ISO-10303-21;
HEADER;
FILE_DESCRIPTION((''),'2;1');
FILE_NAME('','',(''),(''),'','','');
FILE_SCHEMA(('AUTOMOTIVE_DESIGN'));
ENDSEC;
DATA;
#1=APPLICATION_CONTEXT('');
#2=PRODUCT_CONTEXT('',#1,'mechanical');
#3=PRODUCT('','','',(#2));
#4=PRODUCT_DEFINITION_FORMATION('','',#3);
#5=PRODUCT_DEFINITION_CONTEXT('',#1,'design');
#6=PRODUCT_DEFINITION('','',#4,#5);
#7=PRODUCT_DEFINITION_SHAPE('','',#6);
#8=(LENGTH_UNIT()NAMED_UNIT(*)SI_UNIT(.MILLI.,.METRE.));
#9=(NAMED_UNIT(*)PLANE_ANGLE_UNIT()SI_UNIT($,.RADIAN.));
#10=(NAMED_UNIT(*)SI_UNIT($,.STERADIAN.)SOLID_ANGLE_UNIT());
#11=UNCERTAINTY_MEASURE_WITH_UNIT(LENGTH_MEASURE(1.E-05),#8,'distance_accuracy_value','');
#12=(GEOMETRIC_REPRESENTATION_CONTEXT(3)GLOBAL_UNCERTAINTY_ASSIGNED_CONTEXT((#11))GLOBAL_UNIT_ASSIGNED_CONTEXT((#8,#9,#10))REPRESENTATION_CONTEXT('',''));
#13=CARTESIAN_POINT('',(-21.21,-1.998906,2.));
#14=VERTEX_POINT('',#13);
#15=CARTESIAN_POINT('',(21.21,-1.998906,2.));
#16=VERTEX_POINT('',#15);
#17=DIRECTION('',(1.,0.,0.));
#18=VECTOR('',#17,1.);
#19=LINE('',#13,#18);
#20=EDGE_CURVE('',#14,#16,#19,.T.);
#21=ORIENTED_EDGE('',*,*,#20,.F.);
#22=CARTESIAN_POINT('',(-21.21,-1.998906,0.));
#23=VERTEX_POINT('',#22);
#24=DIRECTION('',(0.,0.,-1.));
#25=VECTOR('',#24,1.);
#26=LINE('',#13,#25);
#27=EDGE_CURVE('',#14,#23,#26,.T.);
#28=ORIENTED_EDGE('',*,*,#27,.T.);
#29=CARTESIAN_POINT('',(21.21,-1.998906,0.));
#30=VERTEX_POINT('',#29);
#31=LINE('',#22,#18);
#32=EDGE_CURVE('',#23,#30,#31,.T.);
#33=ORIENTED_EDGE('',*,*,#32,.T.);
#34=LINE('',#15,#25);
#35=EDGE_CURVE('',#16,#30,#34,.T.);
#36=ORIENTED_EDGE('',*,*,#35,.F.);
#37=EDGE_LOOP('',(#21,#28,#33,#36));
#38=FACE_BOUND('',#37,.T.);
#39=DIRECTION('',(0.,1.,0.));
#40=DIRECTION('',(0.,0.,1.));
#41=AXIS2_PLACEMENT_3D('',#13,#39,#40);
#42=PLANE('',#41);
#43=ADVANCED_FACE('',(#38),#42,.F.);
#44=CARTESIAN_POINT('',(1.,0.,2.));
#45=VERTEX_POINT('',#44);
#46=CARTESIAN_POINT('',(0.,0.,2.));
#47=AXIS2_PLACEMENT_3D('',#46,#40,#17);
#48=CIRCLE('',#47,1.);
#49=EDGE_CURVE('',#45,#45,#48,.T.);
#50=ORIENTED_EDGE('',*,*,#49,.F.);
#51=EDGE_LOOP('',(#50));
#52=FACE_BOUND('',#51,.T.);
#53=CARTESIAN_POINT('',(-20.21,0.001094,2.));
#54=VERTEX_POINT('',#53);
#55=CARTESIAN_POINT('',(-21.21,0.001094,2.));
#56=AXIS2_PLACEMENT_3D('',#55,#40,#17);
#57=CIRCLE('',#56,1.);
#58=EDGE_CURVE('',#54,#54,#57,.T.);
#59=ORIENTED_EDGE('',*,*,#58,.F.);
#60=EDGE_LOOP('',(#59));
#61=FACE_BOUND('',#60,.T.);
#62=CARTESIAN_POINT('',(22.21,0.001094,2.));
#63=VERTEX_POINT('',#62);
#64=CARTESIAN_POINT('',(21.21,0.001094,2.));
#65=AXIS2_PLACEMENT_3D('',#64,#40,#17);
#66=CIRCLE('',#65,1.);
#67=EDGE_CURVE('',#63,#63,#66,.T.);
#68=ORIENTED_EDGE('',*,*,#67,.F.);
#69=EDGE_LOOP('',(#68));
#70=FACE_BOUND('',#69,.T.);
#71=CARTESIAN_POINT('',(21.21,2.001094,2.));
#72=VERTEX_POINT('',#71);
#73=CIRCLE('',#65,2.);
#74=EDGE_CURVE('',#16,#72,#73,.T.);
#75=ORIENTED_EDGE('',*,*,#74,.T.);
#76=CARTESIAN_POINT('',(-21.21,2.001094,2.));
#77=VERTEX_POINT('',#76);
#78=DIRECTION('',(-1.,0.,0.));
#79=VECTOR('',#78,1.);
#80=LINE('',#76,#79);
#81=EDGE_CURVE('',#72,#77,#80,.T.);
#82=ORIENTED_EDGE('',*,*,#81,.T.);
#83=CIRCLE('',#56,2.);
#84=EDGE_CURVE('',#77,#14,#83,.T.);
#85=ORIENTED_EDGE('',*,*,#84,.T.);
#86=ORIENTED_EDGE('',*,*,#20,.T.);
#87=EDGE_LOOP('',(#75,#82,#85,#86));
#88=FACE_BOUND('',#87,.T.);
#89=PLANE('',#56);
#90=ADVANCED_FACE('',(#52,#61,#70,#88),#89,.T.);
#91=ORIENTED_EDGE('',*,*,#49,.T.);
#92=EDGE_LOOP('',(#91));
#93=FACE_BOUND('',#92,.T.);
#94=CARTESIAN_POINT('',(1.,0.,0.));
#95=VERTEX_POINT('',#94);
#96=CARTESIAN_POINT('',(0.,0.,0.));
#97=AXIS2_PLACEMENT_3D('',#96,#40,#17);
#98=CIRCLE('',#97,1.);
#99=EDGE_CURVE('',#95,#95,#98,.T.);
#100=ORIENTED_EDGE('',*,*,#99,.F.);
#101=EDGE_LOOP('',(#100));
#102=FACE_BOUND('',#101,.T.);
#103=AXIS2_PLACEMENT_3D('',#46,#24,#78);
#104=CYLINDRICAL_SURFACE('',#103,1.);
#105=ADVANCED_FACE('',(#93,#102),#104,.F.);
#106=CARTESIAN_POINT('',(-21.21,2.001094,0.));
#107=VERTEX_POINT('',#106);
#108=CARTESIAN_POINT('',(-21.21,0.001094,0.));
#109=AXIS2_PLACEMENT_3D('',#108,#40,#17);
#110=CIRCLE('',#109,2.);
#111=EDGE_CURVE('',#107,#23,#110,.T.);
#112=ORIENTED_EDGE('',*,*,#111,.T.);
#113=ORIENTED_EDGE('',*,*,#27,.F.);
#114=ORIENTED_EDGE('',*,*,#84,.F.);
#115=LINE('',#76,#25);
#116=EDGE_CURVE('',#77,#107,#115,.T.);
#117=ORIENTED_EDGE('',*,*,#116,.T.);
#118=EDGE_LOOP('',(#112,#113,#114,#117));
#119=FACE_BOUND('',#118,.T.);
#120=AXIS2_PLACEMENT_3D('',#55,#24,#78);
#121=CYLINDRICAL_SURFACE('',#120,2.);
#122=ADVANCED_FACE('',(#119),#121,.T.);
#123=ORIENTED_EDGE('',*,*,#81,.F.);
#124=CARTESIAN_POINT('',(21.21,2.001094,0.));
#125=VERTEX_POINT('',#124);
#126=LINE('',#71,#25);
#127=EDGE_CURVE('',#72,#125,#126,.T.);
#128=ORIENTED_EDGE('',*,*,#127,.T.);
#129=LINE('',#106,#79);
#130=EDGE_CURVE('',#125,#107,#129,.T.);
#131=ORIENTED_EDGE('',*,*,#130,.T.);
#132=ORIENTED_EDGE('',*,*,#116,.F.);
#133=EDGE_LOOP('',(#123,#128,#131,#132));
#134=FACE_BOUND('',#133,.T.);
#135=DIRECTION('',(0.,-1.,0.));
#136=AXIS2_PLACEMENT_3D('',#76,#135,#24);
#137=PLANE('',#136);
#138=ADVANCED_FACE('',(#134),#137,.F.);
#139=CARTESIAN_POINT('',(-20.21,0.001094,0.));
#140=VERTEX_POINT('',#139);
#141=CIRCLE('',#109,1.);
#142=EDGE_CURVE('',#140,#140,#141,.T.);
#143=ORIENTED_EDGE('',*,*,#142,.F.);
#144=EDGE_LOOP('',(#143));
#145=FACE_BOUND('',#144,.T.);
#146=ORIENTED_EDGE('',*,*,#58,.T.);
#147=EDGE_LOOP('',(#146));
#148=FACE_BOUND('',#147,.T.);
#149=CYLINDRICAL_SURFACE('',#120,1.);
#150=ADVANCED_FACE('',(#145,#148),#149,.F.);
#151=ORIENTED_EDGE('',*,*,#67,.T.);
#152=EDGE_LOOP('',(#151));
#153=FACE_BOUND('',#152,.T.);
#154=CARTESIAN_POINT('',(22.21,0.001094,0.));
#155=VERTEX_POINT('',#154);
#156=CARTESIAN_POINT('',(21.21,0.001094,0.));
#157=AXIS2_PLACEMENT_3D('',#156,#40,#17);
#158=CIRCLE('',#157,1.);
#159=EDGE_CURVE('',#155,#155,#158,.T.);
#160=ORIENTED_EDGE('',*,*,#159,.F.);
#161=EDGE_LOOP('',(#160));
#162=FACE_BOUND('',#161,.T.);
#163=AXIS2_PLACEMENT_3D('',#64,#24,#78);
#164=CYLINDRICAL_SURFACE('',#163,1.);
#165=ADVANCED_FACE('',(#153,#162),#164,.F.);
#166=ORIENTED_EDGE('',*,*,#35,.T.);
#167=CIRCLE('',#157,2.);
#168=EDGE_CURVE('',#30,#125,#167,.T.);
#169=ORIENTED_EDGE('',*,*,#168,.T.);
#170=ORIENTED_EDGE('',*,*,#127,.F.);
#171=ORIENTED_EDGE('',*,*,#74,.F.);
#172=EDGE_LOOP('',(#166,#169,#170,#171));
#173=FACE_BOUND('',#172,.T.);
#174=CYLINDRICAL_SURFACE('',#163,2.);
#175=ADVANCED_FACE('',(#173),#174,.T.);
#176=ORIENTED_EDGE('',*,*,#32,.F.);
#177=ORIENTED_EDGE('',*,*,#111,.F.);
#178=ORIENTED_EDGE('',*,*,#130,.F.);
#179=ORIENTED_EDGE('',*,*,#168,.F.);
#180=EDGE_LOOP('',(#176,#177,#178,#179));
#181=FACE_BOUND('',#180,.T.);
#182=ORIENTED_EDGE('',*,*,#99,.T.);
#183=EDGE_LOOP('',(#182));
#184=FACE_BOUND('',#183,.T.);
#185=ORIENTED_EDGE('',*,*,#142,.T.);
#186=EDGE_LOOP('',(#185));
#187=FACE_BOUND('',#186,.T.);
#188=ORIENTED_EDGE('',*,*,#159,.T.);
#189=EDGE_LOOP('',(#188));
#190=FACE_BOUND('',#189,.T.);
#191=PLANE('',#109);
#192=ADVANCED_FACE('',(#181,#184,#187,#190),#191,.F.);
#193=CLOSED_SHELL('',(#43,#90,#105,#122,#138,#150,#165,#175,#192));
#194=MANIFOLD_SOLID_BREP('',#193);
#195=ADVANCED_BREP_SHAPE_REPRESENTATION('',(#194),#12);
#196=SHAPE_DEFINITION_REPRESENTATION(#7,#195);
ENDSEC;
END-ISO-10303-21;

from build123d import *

# Parameters (mm, degrees)
SKETCH_1_R      = 1
EXTRUDE_1_DEPTH = 2


with BuildPart() as part:
    # 草圖1 → 填料-伸長1 (new body)
    with BuildSketch(Plane.XY):
        with BuildLine():
            Line((-21.209999972, 2.001094383), (21.210000028, 2.001094383))
            ThreePointArc((21.210000028, 2.001094383), (23.210000028, 0.001094383), (21.210000028, -1.998905617))
            Line((21.210000028, -1.998905617), (-21.209999972, -1.998905617))
            ThreePointArc((-21.209999972, -1.998905617), (-23.209999972, 0.001094383), (-21.209999972, 2.001094383))
        make_face()
        with Locations((-21.209999972, 0.001094383)):
            Circle(SKETCH_1_R, mode=Mode.SUBTRACT)
        with Locations((21.210000028, 0.001094383)):
            Circle(SKETCH_1_R, mode=Mode.SUBTRACT)
        Circle(SKETCH_1_R, mode=Mode.SUBTRACT)
    extrude(amount=EXTRUDE_1_DEPTH)


solid = part.part
